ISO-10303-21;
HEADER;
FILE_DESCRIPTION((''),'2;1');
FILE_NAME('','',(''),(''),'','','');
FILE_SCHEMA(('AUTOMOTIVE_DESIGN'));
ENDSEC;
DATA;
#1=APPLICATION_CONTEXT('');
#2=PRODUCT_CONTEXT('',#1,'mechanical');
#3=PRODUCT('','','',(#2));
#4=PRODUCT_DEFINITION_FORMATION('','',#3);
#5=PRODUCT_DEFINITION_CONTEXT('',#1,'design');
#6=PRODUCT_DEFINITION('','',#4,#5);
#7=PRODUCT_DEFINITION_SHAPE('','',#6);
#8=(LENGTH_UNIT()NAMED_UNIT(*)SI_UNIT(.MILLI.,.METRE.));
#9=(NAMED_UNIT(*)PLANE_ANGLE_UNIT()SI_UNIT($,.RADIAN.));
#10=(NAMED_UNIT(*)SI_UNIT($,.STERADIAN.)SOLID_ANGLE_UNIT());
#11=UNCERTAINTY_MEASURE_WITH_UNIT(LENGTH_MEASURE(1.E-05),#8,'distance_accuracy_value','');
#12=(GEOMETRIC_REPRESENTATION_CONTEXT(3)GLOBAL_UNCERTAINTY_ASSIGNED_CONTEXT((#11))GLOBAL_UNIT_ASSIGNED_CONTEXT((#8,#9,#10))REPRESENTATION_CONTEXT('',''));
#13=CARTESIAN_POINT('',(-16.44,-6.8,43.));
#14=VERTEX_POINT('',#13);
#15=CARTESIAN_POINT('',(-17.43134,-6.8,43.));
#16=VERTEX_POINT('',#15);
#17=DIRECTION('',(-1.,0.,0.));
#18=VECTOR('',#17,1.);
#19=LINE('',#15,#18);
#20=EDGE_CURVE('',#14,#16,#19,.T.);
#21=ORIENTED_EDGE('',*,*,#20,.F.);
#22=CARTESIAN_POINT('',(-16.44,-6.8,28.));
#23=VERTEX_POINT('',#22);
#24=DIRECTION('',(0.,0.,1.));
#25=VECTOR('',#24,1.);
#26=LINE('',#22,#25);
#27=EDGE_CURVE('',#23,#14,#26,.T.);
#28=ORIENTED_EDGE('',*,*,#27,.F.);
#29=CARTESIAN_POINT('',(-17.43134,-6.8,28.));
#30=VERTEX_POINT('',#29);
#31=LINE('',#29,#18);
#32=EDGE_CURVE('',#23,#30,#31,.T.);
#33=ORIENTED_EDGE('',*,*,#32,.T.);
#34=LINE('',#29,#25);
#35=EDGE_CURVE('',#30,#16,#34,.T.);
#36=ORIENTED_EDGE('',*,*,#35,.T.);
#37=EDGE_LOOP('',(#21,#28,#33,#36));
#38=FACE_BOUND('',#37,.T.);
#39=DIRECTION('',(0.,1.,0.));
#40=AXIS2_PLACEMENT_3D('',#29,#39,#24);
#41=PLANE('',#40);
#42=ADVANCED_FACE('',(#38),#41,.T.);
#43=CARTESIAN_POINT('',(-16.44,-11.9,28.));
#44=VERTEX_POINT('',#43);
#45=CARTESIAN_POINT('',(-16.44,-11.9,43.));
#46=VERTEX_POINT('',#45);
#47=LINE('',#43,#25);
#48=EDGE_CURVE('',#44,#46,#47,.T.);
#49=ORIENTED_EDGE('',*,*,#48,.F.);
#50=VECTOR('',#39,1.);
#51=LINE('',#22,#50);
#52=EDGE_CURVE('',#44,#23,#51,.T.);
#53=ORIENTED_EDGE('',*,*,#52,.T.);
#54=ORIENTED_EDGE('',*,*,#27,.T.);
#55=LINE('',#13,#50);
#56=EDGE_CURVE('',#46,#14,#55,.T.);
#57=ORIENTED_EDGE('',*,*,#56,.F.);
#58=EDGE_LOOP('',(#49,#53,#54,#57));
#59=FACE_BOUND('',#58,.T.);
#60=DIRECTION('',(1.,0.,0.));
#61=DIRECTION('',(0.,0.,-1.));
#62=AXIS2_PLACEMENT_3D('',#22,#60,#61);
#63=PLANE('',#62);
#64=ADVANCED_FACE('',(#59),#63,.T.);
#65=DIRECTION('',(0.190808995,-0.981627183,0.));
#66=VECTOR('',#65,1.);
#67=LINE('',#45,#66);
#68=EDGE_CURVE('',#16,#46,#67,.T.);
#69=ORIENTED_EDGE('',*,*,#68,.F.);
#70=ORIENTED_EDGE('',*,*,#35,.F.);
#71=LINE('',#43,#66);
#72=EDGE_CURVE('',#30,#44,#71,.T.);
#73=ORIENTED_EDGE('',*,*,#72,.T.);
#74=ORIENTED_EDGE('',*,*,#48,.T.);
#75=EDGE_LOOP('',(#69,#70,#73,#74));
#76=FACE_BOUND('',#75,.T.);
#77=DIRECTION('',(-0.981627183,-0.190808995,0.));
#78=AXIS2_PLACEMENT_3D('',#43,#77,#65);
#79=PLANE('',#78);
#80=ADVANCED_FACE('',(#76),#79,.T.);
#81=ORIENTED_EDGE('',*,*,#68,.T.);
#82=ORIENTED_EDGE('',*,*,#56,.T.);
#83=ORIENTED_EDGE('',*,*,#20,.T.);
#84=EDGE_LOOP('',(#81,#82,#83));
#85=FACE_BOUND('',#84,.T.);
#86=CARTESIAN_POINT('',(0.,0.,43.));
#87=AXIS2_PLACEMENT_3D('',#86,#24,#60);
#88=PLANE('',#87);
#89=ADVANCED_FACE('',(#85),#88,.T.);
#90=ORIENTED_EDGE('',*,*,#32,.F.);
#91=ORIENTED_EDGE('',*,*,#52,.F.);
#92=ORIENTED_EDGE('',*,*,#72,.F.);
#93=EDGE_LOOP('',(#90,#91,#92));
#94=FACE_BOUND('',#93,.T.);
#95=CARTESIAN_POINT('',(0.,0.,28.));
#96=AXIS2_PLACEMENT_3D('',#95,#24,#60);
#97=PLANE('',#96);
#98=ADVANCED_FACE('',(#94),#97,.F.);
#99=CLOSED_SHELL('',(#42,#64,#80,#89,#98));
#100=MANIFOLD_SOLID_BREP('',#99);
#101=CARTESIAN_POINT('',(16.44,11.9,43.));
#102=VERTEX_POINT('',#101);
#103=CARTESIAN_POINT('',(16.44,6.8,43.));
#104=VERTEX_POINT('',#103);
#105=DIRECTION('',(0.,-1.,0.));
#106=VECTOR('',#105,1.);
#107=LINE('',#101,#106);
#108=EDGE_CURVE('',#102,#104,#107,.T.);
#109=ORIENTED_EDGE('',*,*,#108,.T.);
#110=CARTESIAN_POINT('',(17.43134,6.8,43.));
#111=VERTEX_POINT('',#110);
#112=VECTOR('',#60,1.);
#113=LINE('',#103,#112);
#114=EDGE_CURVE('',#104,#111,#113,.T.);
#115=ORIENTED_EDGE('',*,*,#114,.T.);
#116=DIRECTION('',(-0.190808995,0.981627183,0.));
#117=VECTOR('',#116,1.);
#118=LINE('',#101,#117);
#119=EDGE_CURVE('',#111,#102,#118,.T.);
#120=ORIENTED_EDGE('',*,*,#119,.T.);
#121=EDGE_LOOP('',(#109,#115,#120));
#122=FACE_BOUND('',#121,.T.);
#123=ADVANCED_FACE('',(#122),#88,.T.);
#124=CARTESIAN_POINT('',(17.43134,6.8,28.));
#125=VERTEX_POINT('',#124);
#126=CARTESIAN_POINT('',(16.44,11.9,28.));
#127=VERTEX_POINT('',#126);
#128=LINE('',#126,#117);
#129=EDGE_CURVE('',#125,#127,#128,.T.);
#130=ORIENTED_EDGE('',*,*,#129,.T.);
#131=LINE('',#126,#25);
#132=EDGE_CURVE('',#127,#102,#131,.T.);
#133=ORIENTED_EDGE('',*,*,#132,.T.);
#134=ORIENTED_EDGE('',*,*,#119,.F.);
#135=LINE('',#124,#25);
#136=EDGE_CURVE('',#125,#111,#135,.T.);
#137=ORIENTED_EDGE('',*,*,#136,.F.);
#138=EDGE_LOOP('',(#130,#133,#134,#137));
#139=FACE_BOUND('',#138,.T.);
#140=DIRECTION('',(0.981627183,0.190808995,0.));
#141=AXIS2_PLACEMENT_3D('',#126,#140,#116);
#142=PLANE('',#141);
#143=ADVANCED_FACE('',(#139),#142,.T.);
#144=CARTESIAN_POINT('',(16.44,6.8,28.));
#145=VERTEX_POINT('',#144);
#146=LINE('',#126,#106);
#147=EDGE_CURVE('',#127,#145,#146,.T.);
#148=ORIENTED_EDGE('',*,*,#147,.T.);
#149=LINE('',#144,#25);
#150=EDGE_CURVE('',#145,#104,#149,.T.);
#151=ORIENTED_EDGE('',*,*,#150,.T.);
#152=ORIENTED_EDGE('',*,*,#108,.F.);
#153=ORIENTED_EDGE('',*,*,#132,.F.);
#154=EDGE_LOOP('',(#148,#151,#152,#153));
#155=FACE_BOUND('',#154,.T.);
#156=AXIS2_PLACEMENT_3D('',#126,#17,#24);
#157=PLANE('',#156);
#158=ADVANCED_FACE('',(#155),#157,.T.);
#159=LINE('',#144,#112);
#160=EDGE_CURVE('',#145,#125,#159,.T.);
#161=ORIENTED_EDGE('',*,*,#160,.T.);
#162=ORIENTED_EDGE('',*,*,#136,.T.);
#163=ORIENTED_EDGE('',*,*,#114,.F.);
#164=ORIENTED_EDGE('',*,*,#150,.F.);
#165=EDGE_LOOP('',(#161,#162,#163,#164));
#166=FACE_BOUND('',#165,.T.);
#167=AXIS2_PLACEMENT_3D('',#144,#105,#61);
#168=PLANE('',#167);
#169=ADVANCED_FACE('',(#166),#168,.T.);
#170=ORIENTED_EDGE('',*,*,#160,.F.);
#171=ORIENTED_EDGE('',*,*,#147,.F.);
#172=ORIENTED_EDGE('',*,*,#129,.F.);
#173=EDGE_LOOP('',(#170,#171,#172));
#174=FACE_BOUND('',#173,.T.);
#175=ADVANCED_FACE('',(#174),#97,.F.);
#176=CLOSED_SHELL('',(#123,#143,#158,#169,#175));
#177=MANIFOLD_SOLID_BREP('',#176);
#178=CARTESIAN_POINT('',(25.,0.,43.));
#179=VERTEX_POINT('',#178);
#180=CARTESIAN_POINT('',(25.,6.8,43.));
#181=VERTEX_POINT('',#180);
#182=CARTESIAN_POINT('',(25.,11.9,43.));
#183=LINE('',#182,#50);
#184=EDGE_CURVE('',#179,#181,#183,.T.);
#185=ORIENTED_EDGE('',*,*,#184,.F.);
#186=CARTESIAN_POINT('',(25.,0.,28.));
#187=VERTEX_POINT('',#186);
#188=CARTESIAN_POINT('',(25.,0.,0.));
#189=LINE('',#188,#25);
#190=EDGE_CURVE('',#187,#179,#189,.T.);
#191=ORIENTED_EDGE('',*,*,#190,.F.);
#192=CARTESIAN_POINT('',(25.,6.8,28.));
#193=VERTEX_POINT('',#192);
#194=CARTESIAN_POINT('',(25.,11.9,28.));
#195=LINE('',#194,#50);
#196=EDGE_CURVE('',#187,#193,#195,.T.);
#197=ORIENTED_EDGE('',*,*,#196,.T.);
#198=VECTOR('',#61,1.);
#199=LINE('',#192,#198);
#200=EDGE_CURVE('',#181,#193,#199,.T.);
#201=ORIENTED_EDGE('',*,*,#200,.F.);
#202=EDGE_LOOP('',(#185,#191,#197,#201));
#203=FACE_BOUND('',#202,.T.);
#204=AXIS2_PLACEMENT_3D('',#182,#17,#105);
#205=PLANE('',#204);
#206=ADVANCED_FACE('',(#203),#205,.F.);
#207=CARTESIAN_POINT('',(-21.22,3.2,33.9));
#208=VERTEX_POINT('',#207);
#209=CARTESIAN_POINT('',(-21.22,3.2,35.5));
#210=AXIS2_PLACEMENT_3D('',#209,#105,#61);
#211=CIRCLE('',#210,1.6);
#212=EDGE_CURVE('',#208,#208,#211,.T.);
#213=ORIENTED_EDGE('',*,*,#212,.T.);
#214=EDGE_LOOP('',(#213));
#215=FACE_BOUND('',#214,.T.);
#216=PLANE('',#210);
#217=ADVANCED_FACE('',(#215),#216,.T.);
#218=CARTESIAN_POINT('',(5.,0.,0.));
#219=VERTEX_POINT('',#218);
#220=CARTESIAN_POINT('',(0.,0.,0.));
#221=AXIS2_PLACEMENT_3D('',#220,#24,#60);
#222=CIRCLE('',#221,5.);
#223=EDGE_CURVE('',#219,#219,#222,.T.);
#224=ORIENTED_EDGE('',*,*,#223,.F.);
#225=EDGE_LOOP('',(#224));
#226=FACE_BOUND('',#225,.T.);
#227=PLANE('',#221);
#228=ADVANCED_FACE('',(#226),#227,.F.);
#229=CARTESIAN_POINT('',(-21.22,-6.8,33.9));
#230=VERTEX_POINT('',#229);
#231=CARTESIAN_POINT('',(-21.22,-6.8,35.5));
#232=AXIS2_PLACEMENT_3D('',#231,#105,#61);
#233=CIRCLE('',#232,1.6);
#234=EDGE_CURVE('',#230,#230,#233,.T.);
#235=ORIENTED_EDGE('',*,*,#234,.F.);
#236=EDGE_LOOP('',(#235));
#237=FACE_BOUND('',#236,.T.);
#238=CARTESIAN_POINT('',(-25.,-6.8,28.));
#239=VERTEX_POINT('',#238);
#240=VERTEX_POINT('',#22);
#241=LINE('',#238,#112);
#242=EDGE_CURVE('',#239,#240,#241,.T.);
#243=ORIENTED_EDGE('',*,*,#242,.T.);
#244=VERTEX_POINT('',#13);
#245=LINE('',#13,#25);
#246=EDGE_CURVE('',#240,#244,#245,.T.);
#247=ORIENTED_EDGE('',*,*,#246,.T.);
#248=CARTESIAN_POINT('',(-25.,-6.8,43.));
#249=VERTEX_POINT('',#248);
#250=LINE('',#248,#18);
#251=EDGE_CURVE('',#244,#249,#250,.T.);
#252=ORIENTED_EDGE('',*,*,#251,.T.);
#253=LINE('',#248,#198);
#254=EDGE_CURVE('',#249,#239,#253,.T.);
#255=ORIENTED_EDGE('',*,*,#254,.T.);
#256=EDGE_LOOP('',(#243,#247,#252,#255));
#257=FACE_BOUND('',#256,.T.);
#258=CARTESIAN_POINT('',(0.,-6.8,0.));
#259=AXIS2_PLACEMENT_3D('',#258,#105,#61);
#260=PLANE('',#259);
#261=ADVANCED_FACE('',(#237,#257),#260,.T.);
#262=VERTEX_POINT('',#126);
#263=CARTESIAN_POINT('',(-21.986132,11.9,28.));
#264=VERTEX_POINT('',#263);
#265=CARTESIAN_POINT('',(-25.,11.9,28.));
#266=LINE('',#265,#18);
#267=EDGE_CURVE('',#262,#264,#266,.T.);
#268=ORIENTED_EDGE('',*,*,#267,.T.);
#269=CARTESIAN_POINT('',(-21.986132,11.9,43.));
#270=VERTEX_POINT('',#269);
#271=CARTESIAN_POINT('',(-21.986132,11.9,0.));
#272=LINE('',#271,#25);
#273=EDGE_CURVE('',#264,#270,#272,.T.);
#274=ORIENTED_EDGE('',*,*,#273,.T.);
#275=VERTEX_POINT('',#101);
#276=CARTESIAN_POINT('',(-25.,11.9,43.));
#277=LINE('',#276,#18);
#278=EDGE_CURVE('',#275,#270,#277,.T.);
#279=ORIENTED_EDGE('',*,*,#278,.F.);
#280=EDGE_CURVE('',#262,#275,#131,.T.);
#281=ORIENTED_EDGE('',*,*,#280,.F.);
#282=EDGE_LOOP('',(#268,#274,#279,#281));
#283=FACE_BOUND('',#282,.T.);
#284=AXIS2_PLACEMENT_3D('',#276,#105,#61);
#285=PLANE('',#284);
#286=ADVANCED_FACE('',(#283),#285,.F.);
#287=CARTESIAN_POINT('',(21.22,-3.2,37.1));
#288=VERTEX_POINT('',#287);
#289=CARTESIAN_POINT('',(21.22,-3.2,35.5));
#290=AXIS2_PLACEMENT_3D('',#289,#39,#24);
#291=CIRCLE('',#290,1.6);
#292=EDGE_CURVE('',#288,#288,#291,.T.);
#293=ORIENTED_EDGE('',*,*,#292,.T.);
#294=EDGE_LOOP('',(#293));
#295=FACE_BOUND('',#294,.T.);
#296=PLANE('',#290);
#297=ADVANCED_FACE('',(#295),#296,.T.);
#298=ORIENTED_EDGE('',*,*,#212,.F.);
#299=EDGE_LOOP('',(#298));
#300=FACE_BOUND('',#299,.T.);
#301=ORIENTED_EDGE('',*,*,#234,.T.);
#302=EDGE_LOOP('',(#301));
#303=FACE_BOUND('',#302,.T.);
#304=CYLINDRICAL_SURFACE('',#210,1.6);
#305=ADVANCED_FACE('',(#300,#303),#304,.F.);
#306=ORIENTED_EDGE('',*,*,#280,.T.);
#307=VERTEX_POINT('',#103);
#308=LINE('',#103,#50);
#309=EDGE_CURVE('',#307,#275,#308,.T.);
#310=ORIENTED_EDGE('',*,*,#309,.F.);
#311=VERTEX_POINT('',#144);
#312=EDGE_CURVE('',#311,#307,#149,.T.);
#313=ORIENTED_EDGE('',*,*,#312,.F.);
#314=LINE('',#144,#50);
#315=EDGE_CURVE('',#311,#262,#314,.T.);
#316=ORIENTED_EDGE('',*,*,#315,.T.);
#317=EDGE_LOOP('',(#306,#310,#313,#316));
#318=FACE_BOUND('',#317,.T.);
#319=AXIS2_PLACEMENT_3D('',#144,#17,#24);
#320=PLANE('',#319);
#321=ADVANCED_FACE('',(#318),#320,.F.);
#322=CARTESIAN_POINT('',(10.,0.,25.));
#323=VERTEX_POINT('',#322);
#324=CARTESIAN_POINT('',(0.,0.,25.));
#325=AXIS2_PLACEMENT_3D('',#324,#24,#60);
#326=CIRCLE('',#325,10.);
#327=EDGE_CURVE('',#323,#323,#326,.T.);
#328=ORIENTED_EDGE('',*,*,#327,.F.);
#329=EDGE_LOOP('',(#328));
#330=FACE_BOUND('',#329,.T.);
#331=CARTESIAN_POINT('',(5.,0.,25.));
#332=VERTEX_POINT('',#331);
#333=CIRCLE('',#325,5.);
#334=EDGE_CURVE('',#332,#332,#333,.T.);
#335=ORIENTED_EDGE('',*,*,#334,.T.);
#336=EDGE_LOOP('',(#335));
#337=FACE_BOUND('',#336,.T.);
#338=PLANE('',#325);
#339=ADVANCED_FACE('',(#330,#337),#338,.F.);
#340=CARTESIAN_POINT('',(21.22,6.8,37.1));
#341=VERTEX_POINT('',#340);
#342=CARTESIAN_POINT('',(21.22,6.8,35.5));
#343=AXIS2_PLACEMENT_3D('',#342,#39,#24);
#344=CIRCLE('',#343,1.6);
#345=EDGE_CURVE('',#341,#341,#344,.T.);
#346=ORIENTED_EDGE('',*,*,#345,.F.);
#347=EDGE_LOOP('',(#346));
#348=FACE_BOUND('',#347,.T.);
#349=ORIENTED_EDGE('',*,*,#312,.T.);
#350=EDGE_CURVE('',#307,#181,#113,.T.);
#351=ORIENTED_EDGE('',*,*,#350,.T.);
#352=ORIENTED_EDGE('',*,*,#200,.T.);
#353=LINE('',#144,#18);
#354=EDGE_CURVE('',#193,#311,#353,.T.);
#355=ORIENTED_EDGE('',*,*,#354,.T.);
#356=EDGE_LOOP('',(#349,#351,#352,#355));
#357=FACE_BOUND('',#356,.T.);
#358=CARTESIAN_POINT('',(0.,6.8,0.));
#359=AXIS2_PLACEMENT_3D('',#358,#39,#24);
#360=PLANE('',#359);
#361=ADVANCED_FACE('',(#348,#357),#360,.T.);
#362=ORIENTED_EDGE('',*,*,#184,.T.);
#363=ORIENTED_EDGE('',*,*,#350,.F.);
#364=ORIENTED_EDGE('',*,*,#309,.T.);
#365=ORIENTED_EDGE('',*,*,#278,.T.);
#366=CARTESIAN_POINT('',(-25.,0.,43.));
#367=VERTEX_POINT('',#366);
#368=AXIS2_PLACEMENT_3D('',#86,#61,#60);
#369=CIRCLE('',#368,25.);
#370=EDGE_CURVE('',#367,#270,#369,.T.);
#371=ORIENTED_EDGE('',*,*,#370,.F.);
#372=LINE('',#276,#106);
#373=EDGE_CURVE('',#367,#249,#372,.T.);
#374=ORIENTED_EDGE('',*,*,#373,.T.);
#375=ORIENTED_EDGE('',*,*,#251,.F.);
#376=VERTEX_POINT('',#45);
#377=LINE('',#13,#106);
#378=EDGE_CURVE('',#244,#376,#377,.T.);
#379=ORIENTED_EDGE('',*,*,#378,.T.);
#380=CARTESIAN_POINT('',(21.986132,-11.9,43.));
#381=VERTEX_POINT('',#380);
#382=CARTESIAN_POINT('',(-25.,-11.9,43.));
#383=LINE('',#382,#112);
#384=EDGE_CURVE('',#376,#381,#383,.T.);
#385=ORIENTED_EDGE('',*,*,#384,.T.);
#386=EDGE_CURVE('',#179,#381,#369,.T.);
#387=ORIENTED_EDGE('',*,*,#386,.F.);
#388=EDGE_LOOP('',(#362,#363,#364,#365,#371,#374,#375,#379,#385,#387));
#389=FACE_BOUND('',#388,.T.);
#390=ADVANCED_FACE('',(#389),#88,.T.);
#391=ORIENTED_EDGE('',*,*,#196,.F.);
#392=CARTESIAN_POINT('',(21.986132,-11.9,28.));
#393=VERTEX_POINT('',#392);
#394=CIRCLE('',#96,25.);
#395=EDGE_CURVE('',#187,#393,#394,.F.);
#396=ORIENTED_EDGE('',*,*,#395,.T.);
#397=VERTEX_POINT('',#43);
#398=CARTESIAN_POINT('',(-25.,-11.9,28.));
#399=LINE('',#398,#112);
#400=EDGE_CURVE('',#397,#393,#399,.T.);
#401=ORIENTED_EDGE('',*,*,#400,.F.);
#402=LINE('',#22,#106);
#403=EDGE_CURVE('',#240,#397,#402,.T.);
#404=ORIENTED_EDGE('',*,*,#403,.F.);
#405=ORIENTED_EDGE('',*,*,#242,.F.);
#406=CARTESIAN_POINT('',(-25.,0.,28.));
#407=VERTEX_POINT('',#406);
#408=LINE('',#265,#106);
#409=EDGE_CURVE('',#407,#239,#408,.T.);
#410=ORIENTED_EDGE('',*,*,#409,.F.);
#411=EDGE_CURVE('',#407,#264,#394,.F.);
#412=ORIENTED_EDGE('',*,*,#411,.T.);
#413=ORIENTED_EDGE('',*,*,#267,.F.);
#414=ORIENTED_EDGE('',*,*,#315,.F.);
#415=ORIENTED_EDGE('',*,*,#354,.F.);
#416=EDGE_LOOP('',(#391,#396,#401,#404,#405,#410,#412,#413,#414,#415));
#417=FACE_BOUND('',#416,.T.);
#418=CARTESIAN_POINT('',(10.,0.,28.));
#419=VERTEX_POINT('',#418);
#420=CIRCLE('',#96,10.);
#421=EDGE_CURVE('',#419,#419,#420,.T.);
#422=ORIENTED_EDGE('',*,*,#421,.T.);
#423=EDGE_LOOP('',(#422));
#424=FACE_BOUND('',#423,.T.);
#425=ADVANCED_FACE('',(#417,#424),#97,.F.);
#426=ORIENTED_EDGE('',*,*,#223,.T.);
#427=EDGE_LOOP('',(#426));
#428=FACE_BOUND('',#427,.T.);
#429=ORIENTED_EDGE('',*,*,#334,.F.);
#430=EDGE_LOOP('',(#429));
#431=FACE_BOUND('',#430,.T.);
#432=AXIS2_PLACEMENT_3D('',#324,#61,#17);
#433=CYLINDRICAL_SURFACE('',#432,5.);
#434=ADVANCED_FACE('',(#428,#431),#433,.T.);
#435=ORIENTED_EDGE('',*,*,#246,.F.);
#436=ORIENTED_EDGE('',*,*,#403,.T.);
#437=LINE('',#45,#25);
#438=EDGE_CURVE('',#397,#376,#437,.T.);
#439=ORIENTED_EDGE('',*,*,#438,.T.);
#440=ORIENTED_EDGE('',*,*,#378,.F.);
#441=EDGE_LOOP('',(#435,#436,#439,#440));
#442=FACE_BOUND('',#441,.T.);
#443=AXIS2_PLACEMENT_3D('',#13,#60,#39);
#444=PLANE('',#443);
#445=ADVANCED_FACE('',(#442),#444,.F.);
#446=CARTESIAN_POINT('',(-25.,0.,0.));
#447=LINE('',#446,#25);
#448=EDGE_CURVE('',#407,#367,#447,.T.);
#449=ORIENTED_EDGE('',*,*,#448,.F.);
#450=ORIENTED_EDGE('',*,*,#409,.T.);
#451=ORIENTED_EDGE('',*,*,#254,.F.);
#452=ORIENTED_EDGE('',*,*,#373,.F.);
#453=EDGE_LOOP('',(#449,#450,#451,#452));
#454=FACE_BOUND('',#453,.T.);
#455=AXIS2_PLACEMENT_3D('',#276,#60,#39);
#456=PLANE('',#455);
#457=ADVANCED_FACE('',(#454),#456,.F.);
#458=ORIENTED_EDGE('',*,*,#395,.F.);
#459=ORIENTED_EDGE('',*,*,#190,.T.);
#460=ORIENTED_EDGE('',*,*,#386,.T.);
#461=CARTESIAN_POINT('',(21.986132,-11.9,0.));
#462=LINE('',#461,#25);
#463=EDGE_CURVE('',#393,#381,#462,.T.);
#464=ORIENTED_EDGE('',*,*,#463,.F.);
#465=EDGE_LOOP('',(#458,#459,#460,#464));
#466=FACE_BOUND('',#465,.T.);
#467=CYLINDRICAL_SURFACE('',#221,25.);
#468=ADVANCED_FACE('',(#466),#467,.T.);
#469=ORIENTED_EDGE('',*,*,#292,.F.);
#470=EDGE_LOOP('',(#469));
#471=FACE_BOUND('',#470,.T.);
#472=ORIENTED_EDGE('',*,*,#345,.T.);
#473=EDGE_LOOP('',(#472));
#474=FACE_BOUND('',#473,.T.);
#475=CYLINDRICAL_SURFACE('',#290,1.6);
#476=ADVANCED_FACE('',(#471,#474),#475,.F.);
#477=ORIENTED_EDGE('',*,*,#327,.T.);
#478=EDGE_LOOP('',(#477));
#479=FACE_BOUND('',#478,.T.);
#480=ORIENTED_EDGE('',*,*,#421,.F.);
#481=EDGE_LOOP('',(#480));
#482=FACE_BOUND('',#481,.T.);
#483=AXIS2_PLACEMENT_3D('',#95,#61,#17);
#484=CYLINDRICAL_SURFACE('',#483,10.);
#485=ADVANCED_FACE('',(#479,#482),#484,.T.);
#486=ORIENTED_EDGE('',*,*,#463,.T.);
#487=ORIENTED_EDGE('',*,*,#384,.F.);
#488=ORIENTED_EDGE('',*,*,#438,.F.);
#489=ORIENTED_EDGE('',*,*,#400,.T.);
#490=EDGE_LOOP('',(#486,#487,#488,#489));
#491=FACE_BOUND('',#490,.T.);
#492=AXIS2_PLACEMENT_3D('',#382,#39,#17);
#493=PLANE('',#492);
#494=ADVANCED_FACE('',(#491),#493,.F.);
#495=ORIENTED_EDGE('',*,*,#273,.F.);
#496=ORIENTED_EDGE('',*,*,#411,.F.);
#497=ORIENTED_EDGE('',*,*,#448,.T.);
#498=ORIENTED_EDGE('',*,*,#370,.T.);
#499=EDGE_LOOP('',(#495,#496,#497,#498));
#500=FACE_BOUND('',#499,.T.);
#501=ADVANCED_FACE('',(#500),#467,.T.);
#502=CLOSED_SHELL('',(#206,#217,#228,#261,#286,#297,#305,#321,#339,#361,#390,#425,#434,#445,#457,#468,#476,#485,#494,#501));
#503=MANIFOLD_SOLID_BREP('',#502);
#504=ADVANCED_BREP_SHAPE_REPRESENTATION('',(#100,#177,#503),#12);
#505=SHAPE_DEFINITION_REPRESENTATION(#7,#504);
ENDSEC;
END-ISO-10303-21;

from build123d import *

# Parameters (mm, degrees)
SKETCH_1_R          = 5
EXTRUDE_1_DEPTH     = 25
SKETCH_2_R          = 10
EXTRUDE_2_DEPTH     = 3
SKETCH_3_W          = 50
SKETCH_3_H          = 23.8
EXTRUDE_3_DEPTH     = 15
CUT_EXTRUDE_1_DEPTH = 52.143034716
SKETCH_5_W          = 8.56
SKETCH_5_H          = 15
CUT_EXTRUDE_2_DEPTH = 5.1
SKETCH_6_R          = 1.6
CUT_EXTRUDE_3_DEPTH = 10
SKETCH_7_W          = 8.56
SKETCH_7_H          = 15
CUT_EXTRUDE_4_DEPTH = 5.1
SKETCH_8_R          = 1.6
CUT_EXTRUDE_5_DEPTH = 10
EXTRUDE_4_DEPTH     = 15
EXTRUDE_4_2_DEPTH   = 15


with BuildPart() as part:
    # 草图1 → 凸台-拉伸1 (new body)
    with BuildSketch(Plane.XY):
        Circle(SKETCH_1_R)
    extrude(amount=EXTRUDE_1_DEPTH)

    # 草图2 → 凸台-拉伸2 (add)
    with BuildSketch(Plane.XY.offset(25)):
        Circle(SKETCH_2_R)
    extrude(amount=EXTRUDE_2_DEPTH)

    # 草图3 → 凸台-拉伸3 (add)
    with BuildSketch(Plane.XY.offset(28)):
        Rectangle(SKETCH_3_W, SKETCH_3_H)
    extrude(amount=EXTRUDE_3_DEPTH)

    # 草图4 → 切除-拉伸1 (cut, through all)
    with BuildSketch(Plane.XY.offset(43)):
        with BuildLine():
            Line((-25, 11.9), (-25, 0))
            ThreePointArc((-25, 0), (-24.234823084, 6.137862013), (-21.986131993, 11.9))
            Line((-21.986131993, 11.9), (-25, 11.9))
        make_face()
        with BuildLine():
            Line((21.986131993, -11.9), (25, -11.9))
            Line((25, -11.9), (25, 0))
            ThreePointArc((25, 0), (24.234823084, -6.137862013), (21.986131993, -11.9))
        make_face()
    extrude(amount=-CUT_EXTRUDE_1_DEPTH, mode=Mode.SUBTRACT)

    # 草图5 → 切除-拉伸2 (cut)
    with BuildSketch(Plane(origin=(0, 11.9, 0), x_dir=(1, 0, 0), z_dir=(0, 1, 0))):
        with Locations((20.72, -35.5)):
            Rectangle(SKETCH_5_W, SKETCH_5_H)
    extrude(amount=-CUT_EXTRUDE_2_DEPTH, mode=Mode.SUBTRACT)

    # 草图6 → 切除-拉伸3 (cut)
    with BuildSketch(Plane(origin=(0, 6.8, 0), x_dir=(1, 0, 0), z_dir=(0, 1, 0))):
        with Locations(Location((21.22, -35.5, 0), (0, 0, 270))):
            Circle(SKETCH_6_R)
    extrude(amount=-CUT_EXTRUDE_3_DEPTH, mode=Mode.SUBTRACT)

    # 草图7 → 切除-拉伸4 (cut)
    with BuildSketch(Plane.XZ.offset(11.9)):
        with Locations((-20.72, 35.5)):
            Rectangle(SKETCH_7_W, SKETCH_7_H)
    extrude(amount=-CUT_EXTRUDE_4_DEPTH, mode=Mode.SUBTRACT)

    # 草图8 → 切除-拉伸5 (cut)
    with BuildSketch(Plane.XZ.offset(6.8)):
        with Locations(Location((-21.22, 35.5, 0), (0, 0, 270))):
            Circle(SKETCH_8_R)
    extrude(amount=-CUT_EXTRUDE_5_DEPTH, mode=Mode.SUBTRACT)


with BuildPart() as body_2:
    # 草图9 → 凸台-拉伸4 (new body)
    with BuildSketch(Plane.XY.offset(43)):
        Polygon((16.44, 11.9), (17.431339577, 6.8), (16.44, 6.8), align=None)
    extrude(amount=-EXTRUDE_4_DEPTH)


with BuildPart() as body_3:
    # 草图9 → Extrude 4 2 (new body)
    with BuildSketch(Plane.XY.offset(43)):
        Polygon((-16.44, -11.9), (-17.431339577, -6.8), (-16.44, -6.8), align=None)
    extrude(amount=-EXTRUDE_4_2_DEPTH)


solid = Compound([part.part, body_2.part, body_3.part])
